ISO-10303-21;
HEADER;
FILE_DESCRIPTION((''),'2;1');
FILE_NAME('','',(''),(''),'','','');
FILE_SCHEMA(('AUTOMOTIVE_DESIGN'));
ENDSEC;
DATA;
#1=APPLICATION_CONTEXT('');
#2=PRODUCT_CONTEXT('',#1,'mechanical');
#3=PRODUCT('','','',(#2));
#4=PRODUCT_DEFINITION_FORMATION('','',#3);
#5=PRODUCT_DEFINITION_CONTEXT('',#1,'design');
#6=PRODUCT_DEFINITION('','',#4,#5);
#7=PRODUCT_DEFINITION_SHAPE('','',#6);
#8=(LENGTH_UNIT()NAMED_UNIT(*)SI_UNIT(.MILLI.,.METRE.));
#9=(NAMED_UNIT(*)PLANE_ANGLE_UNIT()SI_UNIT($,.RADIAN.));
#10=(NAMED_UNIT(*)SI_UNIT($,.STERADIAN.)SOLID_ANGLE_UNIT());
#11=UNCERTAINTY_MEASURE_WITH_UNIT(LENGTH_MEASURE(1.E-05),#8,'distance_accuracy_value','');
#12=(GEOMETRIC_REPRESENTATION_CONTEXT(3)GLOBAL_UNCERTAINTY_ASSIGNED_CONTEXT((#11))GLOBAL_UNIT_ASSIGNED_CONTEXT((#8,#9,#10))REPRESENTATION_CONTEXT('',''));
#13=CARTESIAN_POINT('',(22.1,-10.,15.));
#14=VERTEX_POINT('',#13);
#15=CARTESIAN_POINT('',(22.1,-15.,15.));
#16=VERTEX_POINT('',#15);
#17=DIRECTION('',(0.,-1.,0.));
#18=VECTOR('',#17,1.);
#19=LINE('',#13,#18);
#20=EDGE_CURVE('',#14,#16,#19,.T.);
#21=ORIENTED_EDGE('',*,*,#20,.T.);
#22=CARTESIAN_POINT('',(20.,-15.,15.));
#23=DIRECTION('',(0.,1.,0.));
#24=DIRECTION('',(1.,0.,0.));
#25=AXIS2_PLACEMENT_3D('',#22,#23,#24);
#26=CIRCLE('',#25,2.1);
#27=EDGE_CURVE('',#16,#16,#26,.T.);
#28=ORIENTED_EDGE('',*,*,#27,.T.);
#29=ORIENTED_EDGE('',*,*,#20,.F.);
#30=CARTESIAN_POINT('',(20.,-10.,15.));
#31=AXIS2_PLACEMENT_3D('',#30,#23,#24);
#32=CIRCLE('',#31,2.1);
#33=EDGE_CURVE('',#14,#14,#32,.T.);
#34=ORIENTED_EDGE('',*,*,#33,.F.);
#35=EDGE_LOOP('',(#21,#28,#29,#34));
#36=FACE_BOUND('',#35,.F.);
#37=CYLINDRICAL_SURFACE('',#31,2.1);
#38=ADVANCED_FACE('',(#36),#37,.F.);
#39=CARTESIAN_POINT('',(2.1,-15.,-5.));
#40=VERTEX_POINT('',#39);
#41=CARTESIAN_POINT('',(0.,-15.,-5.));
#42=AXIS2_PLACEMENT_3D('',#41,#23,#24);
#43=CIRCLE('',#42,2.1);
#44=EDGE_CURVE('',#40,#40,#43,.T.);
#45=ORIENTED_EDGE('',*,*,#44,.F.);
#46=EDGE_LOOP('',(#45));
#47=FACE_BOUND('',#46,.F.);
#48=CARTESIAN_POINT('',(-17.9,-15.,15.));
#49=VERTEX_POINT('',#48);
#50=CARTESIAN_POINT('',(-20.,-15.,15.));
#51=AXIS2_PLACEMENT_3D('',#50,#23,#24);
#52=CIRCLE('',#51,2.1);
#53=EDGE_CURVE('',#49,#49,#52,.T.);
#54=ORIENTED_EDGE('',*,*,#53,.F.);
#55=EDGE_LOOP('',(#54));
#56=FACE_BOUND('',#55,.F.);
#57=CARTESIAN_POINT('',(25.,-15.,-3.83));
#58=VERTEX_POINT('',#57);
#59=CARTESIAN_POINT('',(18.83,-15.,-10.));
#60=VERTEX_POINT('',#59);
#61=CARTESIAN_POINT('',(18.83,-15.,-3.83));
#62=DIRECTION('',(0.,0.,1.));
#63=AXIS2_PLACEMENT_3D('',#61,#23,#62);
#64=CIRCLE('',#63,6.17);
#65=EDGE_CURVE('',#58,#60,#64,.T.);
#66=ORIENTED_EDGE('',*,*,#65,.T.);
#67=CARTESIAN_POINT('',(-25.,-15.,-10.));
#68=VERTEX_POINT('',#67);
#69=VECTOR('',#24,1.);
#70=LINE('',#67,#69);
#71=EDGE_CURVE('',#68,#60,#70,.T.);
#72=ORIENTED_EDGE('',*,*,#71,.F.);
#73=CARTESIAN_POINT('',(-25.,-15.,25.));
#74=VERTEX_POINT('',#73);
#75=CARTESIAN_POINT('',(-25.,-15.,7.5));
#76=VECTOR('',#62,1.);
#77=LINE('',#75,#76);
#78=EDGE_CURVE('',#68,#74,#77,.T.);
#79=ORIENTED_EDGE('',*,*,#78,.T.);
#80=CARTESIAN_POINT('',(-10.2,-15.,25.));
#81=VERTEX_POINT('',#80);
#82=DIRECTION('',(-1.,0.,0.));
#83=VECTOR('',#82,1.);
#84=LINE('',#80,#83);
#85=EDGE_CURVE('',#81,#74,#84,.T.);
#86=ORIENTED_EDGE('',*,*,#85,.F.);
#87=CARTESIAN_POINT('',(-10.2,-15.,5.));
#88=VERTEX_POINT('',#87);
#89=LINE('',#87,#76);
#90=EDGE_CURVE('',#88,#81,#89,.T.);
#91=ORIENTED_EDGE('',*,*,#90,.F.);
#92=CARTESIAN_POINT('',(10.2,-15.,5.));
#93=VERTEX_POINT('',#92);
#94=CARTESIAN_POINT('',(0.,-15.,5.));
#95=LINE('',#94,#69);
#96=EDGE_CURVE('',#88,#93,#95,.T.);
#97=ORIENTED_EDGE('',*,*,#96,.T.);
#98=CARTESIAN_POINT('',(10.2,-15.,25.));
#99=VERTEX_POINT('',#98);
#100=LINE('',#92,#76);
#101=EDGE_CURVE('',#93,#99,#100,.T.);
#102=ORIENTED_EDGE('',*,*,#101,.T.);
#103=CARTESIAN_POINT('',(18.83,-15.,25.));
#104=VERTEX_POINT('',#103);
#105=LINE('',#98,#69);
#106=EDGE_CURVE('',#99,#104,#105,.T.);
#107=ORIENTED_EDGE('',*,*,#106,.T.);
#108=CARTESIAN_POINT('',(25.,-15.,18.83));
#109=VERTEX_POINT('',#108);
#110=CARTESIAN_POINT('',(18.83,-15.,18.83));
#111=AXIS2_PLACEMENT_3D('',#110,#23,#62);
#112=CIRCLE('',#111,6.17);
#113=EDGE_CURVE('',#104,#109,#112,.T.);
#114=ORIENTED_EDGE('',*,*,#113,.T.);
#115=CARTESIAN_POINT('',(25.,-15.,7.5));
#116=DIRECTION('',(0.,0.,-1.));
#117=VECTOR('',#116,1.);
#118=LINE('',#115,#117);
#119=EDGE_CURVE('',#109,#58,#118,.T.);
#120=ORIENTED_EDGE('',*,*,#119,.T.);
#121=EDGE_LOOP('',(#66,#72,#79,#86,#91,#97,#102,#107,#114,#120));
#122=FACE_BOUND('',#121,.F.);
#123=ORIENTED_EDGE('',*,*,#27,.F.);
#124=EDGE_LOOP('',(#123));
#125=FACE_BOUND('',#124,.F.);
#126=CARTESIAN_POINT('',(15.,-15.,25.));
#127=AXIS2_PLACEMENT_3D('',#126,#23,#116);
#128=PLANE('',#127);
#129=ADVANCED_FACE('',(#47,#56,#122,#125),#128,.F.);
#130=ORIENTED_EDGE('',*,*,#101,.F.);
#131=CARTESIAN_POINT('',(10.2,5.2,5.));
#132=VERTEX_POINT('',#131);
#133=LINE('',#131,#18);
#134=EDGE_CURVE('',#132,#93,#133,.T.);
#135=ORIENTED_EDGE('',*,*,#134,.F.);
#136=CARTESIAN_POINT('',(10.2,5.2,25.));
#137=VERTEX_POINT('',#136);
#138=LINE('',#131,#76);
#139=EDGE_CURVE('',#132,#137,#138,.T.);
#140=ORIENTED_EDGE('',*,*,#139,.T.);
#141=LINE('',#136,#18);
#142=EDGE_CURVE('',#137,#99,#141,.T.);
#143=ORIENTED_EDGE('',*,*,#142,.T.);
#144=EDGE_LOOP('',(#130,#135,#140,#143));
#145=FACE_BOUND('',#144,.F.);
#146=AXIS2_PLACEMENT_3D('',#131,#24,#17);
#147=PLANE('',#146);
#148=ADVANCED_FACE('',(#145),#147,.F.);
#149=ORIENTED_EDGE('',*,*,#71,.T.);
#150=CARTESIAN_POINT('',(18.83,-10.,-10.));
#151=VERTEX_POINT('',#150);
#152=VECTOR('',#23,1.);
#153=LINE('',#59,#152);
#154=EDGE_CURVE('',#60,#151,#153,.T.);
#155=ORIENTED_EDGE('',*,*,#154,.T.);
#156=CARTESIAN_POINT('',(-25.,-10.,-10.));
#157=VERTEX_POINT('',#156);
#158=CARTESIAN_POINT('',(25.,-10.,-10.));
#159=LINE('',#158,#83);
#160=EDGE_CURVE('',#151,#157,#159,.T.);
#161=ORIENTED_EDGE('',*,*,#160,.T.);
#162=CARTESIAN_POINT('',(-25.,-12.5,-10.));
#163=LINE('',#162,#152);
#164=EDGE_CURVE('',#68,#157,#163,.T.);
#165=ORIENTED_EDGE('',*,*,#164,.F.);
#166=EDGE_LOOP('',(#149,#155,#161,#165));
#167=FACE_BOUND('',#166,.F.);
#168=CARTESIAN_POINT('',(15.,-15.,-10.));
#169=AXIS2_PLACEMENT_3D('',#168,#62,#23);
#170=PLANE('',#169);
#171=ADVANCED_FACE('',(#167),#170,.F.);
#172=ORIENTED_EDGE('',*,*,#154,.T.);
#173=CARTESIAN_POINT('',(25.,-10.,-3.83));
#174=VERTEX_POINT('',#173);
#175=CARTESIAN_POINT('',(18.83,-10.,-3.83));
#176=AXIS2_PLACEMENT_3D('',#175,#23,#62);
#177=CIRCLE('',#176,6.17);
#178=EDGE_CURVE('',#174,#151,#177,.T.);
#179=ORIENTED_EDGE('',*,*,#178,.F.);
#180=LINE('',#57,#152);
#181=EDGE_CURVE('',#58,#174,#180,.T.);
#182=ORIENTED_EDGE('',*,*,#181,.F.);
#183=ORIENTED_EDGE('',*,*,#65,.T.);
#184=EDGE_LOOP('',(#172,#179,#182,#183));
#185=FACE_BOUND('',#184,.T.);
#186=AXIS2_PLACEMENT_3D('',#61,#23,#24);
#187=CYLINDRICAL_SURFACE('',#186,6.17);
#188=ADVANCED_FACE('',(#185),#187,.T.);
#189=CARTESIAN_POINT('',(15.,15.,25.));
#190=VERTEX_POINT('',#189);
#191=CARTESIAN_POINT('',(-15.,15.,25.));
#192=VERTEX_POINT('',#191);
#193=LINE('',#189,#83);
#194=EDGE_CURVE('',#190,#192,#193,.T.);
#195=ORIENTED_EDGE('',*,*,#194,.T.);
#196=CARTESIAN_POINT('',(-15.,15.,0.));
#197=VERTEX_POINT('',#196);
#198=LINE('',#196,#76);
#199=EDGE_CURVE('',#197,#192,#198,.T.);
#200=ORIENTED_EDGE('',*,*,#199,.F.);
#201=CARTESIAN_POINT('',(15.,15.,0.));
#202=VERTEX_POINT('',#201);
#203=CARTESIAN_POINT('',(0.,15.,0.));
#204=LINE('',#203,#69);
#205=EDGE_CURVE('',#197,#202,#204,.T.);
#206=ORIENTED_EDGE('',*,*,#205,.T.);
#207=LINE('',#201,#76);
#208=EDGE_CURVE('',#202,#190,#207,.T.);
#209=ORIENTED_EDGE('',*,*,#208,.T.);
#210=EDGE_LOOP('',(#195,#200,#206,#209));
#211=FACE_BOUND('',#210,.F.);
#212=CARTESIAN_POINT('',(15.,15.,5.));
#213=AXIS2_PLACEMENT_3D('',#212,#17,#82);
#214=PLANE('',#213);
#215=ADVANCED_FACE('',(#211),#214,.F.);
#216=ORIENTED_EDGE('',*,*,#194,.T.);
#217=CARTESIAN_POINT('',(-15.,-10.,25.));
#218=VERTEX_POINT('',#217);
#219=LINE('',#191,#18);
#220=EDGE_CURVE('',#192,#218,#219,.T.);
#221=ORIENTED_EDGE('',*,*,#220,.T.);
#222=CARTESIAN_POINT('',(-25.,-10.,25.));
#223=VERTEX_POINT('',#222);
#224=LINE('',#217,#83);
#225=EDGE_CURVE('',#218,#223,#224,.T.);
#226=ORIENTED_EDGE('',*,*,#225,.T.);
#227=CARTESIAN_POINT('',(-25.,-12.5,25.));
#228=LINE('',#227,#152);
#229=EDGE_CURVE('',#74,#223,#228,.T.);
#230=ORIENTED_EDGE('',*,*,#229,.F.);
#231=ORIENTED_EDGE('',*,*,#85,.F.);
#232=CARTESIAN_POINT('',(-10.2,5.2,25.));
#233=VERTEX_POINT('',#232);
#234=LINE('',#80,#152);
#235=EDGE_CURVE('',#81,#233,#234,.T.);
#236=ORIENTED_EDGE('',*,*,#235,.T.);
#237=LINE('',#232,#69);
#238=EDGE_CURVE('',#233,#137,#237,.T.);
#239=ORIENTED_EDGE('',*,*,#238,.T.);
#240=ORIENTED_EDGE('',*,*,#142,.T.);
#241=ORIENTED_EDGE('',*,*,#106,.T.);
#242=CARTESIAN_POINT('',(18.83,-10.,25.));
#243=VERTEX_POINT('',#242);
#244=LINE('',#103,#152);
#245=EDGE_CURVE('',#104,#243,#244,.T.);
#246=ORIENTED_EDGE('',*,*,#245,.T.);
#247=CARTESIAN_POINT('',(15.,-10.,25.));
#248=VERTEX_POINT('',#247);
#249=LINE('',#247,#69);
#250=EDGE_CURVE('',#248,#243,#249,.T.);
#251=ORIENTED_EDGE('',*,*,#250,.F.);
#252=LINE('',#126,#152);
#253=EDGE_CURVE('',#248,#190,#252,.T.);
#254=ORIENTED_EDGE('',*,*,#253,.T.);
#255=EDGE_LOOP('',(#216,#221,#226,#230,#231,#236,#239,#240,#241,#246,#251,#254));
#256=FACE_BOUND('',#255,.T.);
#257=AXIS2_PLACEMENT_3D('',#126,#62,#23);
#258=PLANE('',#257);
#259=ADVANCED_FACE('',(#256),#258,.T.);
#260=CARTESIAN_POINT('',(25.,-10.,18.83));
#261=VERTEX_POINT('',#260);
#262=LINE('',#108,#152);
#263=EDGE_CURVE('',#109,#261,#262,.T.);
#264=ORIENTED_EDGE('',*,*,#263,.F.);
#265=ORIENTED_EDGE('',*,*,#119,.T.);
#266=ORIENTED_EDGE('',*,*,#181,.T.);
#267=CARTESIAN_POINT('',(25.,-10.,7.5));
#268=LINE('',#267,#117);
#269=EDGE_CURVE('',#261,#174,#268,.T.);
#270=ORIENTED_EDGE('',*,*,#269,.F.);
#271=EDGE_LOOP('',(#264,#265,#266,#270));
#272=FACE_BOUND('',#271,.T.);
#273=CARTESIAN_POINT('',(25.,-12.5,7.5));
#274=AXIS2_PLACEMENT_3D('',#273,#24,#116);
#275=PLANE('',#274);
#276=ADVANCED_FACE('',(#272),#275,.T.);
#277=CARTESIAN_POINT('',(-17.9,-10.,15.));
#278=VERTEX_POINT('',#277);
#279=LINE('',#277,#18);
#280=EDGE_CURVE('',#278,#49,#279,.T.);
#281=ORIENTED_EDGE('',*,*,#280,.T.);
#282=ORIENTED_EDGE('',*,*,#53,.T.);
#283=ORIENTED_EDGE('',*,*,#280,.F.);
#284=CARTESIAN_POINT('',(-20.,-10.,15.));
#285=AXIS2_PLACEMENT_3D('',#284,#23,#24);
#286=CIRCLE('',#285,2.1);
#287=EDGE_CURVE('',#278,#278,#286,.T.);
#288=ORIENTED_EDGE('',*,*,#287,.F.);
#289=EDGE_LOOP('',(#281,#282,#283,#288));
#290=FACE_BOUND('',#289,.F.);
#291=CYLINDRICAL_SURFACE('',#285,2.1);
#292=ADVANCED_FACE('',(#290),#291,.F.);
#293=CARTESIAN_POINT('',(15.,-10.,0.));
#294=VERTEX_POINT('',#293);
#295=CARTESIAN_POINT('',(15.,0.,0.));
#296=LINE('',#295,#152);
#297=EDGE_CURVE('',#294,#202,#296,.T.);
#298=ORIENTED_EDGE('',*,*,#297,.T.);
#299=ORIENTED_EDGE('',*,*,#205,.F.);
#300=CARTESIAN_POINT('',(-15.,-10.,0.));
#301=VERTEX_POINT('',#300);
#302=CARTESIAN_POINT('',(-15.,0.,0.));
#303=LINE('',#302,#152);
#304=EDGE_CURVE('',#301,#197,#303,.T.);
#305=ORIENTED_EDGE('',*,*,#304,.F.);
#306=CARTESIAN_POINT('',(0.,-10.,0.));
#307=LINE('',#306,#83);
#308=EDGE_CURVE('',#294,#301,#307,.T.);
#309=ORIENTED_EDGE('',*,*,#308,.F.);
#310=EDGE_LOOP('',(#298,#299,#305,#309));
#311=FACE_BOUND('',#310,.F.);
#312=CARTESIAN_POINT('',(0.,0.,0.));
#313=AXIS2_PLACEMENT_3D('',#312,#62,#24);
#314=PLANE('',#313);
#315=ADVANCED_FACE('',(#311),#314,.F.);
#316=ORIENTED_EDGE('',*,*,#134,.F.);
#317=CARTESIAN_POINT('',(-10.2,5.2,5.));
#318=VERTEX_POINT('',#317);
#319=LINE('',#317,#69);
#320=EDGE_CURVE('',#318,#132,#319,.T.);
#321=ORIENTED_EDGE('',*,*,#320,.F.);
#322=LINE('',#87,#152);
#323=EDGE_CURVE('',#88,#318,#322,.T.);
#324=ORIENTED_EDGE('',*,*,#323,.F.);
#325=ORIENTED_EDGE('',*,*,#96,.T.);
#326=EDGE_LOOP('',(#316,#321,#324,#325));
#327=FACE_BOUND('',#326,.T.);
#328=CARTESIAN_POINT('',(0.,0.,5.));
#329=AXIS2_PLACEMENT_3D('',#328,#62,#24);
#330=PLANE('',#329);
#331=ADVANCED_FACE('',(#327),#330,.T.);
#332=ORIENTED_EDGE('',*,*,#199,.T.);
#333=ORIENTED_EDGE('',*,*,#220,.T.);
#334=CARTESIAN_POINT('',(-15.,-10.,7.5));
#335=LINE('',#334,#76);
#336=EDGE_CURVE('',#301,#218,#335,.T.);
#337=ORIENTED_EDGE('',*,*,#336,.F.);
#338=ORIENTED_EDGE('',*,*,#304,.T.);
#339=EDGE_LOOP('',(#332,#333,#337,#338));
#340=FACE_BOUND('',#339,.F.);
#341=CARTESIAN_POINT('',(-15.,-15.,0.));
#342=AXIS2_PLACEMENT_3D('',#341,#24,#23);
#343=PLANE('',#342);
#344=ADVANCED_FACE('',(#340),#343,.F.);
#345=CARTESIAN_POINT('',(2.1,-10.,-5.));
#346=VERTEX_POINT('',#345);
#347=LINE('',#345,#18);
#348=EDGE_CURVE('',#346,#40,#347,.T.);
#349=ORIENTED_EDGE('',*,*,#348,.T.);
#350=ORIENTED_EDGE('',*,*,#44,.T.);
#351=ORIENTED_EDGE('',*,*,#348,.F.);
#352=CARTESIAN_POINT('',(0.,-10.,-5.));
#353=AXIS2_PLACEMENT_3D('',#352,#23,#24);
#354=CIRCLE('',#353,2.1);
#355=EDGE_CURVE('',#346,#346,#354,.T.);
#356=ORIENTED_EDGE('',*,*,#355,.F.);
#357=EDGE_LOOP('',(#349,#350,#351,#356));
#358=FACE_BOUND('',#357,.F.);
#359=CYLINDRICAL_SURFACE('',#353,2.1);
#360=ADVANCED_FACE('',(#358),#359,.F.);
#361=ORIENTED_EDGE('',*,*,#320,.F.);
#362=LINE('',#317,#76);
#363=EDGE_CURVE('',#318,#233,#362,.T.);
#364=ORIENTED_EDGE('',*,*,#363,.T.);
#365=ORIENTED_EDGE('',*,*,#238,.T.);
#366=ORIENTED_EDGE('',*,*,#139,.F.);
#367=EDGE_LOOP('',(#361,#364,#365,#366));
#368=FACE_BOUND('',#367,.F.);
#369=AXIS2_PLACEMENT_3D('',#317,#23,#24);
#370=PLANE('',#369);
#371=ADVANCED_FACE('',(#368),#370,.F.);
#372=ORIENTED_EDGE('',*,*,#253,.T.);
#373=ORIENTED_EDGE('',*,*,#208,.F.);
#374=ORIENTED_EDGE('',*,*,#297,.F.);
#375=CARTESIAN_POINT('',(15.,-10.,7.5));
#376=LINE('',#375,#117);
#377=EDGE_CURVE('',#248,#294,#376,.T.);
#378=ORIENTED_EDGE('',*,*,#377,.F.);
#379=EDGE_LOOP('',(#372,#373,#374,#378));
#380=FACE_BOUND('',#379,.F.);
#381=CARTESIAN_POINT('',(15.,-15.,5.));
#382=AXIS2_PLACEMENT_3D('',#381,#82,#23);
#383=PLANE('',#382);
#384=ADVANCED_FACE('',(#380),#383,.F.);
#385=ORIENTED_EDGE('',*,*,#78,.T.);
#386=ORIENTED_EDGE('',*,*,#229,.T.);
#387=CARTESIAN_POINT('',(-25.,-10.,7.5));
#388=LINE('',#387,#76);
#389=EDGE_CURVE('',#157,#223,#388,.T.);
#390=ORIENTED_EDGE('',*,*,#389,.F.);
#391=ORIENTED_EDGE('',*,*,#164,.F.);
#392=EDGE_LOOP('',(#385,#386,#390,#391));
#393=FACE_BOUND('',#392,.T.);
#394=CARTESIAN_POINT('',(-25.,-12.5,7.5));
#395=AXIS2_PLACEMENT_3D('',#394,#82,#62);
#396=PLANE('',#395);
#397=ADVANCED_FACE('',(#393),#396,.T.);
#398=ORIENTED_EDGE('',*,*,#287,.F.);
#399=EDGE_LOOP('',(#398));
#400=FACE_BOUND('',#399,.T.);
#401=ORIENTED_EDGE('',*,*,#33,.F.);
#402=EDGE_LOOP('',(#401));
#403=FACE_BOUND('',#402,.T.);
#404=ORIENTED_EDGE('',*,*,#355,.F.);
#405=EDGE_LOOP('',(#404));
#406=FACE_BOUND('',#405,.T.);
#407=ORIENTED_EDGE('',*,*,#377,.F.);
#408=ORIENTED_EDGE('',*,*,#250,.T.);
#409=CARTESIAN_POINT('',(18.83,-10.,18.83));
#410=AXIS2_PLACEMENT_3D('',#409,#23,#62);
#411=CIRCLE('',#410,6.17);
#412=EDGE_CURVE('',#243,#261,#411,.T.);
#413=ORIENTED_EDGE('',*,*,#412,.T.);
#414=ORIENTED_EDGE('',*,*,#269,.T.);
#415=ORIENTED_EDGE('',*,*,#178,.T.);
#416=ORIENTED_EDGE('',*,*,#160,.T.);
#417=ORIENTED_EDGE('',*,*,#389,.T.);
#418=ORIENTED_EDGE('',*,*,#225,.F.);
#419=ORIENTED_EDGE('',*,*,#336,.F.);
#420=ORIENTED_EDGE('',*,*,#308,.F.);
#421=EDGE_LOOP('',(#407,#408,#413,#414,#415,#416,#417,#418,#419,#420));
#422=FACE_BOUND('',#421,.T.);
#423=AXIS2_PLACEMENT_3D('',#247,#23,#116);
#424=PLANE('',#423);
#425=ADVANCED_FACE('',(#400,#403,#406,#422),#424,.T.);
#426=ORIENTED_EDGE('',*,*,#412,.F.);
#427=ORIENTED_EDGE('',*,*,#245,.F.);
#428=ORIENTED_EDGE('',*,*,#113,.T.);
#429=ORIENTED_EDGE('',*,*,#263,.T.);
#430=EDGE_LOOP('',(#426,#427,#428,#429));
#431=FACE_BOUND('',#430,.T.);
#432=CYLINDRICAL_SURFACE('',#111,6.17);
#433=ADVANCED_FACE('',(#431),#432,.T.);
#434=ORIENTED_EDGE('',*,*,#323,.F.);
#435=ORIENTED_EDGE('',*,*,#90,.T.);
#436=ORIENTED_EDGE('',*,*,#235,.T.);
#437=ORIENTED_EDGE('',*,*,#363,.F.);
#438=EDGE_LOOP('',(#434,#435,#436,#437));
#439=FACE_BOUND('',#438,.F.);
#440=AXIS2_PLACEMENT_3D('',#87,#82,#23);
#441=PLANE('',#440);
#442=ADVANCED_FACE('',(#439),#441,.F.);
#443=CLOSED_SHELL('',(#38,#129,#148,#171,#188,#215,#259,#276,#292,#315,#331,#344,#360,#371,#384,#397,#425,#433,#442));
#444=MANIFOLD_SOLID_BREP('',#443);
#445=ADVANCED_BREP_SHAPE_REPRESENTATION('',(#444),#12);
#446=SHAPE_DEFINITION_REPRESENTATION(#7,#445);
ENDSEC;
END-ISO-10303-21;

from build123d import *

# Parameters (mm, degrees)
SKETCH_1_W          = 30
SKETCH_1_H          = 30
EXTRUDE_1_DEPTH     = 5
SKETCH_2_W          = 30
SKETCH_2_H          = 5
EXTRUDE_2_DEPTH     = 10
SKETCH_3_R          = 2.1
CUT_EXTRUDE_1_DEPTH = 5
EXTRUDE_3_DEPTH     = 20
SKETCH_5_W          = 35
SKETCH_5_H          = 5
EXTRUDE_4_DEPTH     = 10
SKETCH_6_W          = 35
SKETCH_6_H          = 5
EXTRUDE_5_DEPTH     = 10
SKETCH_7_R          = 2.1
CUT_EXTRUDE_2_DEPTH = 10
FILLET_1_R          = 6.17
FILLET_2_R          = 6.17


with BuildPart() as part:
    # 스케치1 → 보스-돌출1 (new body)
    with BuildSketch(Plane.XY):
        Rectangle(SKETCH_1_W, SKETCH_1_H)
    extrude(amount=EXTRUDE_1_DEPTH)

    # 스케치2 → 보스-돌출2 (add)
    with BuildSketch(Plane(origin=(0, 0, 0), x_dir=(-1, 0, 0), z_dir=(0, 0, -1))):
        with Locations((0, -12.5)):
            Rectangle(SKETCH_2_W, SKETCH_2_H)
    extrude(amount=EXTRUDE_2_DEPTH)

    # 스케치3 → 컷-돌출1 (cut)
    with BuildSketch(Plane(origin=(0, -10, 0), x_dir=(1, 0, 0), z_dir=(0, 1, 0))):
        with Locations((0, 5)):
            Circle(SKETCH_3_R)
    extrude(amount=-CUT_EXTRUDE_1_DEPTH, mode=Mode.SUBTRACT)

    # 스케치4 → 보스-돌출3 (add)
    with BuildSketch(Plane.XY.offset(5)):
        Polygon((10.2, -15), (15, -15), (15, 15), (-15, 15), (-15, -15), (-10.2, -15), (-10.2, 5.2), (10.2, 5.2), align=None)
    extrude(amount=EXTRUDE_3_DEPTH)

    # 스케치5 → 보스-돌출4 (add)
    with BuildSketch(Plane.ZY.offset(15)):
        with Locations((7.5, -12.5)):
            Rectangle(SKETCH_5_W, SKETCH_5_H)
    extrude(amount=EXTRUDE_4_DEPTH)

    # 스케치6 → 보스-돌출5 (add)
    with BuildSketch(Plane(origin=(15, 0, 0), x_dir=(0, 0, -1), z_dir=(1, 0, 0))):
        with Locations((-7.5, -12.5)):
            Rectangle(SKETCH_6_W, SKETCH_6_H)
    extrude(amount=EXTRUDE_5_DEPTH)

    # 스케치7 → 컷-돌출2 (cut)
    with BuildSketch(Plane(origin=(0, -10, 0), x_dir=(1, 0, 0), z_dir=(0, 1, 0))):
        with Locations((-20, -15)):
            Circle(SKETCH_7_R)
        with Locations((20, -15)):
            Circle(SKETCH_7_R)
    extrude(amount=-CUT_EXTRUDE_2_DEPTH, mode=Mode.SUBTRACT)

    # 필렛1
    fillet_1_edges = [part.edges().sort_by_distance(p)[0] for p in [
        (25, -12.5, 25),
    ]]
    fillet(fillet_1_edges, radius=FILLET_1_R)

    # 필렛2
    fillet_2_edges = [part.edges().sort_by_distance(p)[0] for p in [
        (25, -12.5, -10),
    ]]
    fillet(fillet_2_edges, radius=FILLET_2_R)


solid = part.part
